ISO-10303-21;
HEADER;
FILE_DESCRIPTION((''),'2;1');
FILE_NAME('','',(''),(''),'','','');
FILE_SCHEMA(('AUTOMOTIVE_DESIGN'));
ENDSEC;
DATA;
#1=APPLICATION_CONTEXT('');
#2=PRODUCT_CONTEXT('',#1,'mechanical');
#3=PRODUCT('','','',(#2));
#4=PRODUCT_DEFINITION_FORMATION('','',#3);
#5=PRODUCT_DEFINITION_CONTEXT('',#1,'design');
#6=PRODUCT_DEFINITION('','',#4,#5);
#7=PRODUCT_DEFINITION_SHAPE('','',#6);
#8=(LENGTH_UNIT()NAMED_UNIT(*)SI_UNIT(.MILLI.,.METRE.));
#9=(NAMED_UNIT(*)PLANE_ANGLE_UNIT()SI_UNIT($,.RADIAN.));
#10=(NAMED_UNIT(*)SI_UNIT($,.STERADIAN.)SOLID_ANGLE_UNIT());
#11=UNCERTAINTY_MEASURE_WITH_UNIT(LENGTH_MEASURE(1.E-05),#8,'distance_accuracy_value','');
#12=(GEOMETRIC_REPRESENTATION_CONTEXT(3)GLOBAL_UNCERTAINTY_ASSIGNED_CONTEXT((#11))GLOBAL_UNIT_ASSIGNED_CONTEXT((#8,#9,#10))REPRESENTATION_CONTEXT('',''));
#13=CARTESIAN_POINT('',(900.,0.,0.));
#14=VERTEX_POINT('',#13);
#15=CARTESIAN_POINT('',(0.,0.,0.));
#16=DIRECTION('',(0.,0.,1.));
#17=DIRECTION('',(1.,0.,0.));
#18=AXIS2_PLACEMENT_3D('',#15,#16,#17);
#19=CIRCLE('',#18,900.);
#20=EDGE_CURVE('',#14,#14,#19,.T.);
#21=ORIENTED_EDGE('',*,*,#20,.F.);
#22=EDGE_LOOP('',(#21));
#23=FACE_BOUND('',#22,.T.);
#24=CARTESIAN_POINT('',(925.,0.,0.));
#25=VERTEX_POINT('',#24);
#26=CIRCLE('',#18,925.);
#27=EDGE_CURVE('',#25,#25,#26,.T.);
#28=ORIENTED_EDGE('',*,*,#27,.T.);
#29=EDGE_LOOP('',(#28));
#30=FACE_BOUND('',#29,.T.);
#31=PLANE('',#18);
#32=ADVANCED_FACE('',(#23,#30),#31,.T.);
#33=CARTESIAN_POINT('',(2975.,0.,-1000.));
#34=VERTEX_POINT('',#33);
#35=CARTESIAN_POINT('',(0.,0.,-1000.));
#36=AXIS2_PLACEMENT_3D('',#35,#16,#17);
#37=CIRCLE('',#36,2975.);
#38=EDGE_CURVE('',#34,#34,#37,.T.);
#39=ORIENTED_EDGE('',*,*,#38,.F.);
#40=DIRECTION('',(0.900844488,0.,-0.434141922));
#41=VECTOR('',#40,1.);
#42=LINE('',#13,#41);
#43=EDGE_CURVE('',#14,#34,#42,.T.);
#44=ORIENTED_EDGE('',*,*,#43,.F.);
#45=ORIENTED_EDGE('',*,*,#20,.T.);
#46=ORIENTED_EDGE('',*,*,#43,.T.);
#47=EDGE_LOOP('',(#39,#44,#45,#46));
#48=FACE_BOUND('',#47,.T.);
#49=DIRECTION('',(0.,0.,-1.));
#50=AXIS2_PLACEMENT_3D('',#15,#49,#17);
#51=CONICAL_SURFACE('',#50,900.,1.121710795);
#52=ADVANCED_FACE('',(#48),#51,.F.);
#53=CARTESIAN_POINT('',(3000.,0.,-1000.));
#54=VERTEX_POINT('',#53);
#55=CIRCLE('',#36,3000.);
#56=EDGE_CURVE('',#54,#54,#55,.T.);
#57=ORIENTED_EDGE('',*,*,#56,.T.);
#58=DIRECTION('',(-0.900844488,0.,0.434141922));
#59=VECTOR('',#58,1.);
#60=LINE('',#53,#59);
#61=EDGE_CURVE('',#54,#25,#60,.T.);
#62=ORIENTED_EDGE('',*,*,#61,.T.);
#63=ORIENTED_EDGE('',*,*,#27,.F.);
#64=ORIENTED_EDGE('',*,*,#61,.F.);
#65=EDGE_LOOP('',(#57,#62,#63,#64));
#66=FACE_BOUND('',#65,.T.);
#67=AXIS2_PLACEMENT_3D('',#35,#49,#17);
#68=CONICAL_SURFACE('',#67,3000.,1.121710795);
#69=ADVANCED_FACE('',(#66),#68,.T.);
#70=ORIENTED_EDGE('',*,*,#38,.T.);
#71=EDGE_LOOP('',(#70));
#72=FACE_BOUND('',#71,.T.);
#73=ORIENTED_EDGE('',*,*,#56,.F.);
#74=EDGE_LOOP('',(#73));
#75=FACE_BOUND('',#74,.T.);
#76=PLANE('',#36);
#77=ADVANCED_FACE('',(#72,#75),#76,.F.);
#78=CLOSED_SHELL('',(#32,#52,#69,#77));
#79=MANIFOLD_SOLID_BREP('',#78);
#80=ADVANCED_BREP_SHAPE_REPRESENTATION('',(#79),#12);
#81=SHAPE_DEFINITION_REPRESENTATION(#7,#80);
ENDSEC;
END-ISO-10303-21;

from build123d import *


with BuildPart() as part:
    # Sketch → Revolution (revolve)
    with BuildSketch(Plane.XZ):
        Polygon((900, 0), (2975, -1000), (3000, -1000), (925, 0), align=None)
    revolve(axis=Axis((0, 0, 0), (0, 0, 1)))


solid = part.part
